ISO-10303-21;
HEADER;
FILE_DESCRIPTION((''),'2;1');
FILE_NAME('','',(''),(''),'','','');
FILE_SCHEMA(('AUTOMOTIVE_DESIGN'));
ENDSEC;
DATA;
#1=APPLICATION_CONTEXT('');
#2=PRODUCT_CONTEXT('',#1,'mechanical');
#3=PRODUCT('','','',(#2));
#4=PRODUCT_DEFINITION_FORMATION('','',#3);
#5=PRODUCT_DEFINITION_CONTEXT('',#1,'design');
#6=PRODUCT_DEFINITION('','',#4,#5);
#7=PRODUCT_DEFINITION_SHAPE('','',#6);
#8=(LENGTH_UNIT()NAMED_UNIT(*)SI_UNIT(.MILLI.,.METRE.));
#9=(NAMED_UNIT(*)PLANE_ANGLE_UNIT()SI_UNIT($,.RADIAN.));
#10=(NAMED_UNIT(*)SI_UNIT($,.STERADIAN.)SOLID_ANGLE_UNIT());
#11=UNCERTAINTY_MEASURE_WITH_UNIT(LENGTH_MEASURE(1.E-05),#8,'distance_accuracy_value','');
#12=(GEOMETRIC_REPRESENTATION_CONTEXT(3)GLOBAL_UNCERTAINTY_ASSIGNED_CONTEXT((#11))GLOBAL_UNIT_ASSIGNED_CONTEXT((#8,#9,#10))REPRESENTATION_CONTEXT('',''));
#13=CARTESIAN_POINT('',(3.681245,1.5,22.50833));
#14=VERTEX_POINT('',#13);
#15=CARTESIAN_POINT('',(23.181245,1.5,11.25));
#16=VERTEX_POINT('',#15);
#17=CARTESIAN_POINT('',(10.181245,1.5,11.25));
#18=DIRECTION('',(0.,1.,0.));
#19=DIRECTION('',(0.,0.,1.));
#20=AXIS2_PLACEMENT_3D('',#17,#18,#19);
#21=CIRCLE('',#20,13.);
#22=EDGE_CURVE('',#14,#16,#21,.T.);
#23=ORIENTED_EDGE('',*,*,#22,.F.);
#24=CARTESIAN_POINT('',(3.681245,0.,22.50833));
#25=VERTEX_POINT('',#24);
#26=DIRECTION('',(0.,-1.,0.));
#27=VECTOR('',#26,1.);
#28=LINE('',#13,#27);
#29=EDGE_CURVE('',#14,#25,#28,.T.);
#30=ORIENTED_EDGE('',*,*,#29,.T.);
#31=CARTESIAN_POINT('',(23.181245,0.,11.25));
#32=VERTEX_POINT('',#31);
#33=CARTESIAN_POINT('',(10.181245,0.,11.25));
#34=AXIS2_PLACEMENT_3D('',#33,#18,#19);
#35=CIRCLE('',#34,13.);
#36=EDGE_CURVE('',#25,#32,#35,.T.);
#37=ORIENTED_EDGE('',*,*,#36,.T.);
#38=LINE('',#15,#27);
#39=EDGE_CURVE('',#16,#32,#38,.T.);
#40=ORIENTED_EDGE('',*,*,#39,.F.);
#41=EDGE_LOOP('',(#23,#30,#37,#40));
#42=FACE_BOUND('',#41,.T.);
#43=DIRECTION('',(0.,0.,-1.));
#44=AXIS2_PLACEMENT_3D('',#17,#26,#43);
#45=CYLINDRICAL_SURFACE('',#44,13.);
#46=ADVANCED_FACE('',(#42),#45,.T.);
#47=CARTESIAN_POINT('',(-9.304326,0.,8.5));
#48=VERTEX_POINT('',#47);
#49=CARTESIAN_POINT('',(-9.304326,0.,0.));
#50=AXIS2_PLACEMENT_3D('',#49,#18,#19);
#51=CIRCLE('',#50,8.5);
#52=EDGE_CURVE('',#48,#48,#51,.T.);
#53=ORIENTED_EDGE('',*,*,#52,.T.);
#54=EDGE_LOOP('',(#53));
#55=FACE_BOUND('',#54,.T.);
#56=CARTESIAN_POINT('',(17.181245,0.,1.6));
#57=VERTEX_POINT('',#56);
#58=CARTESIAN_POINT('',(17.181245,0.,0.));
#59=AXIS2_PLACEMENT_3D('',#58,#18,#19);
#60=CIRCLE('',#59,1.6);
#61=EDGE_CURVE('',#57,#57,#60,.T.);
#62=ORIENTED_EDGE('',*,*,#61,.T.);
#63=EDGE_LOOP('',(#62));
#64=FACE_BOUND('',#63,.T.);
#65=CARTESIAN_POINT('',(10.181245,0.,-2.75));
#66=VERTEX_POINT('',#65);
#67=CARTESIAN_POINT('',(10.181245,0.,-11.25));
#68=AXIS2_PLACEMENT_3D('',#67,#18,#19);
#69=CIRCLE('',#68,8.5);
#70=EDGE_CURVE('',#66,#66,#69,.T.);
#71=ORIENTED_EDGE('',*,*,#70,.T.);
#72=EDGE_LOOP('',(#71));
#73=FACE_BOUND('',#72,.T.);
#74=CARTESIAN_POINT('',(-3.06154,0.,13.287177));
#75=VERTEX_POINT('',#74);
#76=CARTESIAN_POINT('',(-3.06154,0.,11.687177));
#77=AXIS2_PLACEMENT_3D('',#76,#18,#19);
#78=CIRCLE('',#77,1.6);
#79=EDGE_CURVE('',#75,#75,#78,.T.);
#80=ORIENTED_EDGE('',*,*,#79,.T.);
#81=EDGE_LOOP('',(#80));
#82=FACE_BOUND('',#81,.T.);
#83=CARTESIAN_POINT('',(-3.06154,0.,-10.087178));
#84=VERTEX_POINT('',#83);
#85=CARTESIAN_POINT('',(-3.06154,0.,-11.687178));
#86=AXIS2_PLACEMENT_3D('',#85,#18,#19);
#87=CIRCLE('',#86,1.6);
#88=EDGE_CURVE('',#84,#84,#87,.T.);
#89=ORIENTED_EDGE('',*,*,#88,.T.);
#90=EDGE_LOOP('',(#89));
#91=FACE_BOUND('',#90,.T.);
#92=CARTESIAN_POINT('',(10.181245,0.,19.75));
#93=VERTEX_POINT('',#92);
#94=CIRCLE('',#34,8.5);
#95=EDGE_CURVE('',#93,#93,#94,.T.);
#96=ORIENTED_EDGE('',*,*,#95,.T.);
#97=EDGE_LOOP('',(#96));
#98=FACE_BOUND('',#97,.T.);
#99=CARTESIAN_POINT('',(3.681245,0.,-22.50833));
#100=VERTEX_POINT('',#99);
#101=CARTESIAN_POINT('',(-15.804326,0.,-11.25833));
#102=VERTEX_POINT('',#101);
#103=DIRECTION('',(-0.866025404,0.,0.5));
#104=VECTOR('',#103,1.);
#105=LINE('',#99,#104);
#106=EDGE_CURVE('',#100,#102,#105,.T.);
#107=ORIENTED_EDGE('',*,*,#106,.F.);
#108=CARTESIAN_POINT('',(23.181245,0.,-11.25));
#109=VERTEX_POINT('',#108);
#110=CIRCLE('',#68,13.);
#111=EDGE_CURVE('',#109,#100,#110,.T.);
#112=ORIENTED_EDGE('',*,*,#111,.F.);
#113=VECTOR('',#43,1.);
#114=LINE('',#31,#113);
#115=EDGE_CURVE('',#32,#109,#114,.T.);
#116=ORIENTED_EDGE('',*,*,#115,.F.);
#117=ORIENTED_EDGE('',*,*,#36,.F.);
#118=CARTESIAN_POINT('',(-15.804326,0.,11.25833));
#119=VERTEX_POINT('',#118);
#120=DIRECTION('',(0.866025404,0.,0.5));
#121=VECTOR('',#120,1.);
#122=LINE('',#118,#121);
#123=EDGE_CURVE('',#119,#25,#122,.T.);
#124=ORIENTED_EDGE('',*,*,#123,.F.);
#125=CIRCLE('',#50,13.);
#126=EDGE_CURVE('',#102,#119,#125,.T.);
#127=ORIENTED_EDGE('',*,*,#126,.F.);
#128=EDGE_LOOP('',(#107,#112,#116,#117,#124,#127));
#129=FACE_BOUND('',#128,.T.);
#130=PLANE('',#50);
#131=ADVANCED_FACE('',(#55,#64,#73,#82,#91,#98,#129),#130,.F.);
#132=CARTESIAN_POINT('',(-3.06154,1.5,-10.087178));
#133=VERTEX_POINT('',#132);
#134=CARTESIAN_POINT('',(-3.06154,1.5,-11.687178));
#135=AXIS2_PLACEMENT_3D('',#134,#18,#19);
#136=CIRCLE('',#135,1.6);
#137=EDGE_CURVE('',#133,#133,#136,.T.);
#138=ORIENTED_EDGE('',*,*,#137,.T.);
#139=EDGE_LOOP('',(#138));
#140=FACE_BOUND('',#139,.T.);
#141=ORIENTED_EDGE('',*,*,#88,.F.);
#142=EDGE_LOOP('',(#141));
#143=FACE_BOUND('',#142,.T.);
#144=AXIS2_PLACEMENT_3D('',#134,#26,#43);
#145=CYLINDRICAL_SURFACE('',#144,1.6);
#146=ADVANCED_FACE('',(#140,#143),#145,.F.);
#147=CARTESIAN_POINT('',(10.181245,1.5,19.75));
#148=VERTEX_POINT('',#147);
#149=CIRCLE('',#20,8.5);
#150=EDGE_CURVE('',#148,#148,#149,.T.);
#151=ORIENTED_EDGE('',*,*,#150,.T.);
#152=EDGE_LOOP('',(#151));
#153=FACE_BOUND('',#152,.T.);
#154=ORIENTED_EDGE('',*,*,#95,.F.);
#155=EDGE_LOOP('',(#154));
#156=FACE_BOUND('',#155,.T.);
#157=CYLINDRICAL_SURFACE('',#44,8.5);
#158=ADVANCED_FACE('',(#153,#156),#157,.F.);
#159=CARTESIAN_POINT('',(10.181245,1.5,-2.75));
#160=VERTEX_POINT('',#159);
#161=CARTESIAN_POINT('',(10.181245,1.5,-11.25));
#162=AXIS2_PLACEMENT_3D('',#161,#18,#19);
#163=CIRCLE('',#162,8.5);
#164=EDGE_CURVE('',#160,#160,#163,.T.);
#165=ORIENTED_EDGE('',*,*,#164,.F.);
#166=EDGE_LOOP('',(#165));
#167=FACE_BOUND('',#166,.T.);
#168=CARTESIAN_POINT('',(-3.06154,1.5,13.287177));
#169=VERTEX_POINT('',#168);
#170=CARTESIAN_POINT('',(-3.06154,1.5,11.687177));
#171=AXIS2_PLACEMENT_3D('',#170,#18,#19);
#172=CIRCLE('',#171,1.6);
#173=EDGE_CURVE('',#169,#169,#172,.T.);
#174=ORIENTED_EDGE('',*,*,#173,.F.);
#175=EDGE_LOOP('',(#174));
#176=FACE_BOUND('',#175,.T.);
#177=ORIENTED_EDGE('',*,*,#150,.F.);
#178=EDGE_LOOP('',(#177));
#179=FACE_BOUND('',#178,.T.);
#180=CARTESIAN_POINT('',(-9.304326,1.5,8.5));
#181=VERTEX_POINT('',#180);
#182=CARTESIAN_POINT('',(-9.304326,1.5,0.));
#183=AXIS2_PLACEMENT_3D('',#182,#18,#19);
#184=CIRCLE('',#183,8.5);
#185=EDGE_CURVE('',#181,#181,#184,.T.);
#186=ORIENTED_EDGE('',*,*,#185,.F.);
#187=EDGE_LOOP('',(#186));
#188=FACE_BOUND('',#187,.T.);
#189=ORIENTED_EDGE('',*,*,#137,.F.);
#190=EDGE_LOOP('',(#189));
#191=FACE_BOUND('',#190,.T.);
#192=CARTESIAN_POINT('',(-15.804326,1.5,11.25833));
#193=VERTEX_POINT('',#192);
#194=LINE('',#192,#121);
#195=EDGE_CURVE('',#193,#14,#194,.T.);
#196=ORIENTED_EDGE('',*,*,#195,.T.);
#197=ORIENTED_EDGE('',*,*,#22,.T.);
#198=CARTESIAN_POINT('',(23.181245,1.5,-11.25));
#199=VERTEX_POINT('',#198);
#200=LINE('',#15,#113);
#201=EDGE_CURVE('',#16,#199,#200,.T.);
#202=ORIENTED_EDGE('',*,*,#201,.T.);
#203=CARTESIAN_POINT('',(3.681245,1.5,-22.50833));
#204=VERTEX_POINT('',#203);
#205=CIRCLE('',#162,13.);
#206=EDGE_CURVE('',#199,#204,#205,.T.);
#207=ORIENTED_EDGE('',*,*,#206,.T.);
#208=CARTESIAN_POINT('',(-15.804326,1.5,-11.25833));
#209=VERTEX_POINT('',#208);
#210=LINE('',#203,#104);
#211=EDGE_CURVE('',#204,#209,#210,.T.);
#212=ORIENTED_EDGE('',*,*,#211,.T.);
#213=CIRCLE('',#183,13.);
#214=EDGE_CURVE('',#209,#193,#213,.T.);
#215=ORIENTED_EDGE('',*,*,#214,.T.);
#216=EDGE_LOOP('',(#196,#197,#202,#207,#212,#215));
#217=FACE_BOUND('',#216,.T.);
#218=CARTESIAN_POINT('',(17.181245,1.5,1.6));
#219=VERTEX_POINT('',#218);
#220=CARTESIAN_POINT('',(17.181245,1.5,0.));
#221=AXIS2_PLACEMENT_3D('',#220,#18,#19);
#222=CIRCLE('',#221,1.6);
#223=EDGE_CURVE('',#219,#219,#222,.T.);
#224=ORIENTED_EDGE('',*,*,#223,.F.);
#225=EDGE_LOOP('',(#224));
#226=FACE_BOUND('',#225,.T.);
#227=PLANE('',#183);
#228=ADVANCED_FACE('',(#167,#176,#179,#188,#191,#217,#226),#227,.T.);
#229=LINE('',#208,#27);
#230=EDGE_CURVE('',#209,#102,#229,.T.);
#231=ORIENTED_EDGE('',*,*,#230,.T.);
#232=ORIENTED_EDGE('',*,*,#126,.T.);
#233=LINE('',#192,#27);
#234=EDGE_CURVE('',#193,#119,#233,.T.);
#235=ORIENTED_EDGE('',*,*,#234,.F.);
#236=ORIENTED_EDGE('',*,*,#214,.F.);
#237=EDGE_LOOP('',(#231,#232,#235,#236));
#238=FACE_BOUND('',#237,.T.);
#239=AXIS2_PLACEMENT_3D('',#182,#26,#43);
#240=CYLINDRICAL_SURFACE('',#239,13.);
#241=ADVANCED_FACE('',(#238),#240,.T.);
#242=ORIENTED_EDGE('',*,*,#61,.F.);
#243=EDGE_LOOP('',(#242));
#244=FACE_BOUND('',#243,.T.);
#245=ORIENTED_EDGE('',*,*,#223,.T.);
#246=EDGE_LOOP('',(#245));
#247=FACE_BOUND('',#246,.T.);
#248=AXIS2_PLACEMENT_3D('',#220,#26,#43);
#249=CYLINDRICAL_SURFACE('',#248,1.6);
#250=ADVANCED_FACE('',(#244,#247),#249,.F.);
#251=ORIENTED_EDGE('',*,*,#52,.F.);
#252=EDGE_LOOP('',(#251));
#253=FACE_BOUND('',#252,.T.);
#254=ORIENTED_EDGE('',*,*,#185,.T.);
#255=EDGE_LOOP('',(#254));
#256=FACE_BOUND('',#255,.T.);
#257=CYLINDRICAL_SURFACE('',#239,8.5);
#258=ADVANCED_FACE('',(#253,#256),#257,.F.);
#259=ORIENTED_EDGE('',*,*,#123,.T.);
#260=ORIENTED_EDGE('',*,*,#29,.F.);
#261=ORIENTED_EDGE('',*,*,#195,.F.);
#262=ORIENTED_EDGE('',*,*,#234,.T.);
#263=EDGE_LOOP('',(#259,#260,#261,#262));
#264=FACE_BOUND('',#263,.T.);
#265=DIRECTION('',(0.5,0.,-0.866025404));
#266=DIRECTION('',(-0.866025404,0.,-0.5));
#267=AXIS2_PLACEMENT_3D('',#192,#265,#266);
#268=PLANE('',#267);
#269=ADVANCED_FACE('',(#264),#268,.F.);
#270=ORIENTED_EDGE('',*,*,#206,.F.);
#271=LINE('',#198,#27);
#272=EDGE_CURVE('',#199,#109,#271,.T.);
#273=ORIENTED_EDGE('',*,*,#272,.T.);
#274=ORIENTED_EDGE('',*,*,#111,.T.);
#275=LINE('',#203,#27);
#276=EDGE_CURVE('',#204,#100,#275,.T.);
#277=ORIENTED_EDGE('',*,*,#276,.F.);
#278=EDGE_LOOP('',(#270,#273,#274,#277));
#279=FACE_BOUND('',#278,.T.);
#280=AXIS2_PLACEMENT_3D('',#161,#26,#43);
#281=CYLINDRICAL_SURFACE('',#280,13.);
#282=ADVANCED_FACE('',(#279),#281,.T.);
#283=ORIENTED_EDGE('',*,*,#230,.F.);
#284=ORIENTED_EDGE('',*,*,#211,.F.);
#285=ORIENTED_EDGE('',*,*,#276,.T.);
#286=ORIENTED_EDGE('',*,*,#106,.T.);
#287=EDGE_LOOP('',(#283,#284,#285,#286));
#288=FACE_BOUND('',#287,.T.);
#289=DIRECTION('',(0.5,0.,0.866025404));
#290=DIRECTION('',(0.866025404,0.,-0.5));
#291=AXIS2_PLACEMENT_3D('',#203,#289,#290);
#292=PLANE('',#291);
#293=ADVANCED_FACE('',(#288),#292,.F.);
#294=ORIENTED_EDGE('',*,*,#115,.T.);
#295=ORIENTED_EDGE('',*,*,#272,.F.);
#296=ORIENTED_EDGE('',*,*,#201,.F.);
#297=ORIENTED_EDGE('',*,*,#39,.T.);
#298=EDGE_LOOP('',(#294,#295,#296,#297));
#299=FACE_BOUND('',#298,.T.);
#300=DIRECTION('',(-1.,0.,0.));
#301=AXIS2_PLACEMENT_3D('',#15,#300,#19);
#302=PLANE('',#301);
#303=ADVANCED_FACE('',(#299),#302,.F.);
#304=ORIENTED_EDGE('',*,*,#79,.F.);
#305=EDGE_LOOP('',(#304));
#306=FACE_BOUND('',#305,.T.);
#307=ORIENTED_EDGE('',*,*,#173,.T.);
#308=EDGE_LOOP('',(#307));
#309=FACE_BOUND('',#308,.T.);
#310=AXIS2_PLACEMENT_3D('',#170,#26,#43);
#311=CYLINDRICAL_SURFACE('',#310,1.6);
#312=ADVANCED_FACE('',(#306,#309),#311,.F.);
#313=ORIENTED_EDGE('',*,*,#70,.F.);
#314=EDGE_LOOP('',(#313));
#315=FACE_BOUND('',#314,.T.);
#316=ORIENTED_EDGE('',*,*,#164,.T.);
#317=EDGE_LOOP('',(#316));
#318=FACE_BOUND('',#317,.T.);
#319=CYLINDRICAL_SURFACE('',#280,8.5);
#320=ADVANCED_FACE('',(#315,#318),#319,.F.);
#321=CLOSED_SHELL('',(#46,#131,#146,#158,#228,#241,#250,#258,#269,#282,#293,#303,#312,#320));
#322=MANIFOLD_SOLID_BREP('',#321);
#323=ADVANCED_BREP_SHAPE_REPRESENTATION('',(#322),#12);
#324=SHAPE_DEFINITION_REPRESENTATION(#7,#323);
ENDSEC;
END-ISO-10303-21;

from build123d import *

# Parameters (mm, degrees)
SKETCH1_R           = 8.5
SKETCH1_R_2         = 1.6
SKETCH1_R_3         = 1.599999998
BOSS_EXTRUDE1_DEPTH = 1.5


with BuildPart() as part:
    # Sketch1 → Boss-Extrude1 (new body)
    with BuildSketch(Plane(origin=(0, 0, 0), x_dir=(1, 0, 0), z_dir=(0, 1, 0))):
        with BuildLine():
            Line((-15.804326324, -11.258330249), (3.681245261, -22.508330249))
            ThreePointArc((3.681245261, -22.508330249), (16.681245261, -22.508330249), (23.181245261, -11.25))
            Line((23.181245261, -11.25), (23.181245261, 11.25))
            ThreePointArc((23.181245261, 11.25), (16.681245261, 22.508330249), (3.681245261, 22.508330249))
            Line((3.681245261, 22.508330249), (-15.804326324, 11.258330249))
            ThreePointArc((-15.804326324, 11.258330249), (-22.304326324, 0), (-15.804326324, -11.258330249))
        make_face()
        with Locations((-9.304326324, 0)):
            Circle(SKETCH1_R, mode=Mode.SUBTRACT)
        with Locations((-3.06154027, 11.687177858)):
            Circle(SKETCH1_R_2, mode=Mode.SUBTRACT)
        with Locations((17.181245264, 0)):
            Circle(SKETCH1_R_3, mode=Mode.SUBTRACT)
        with Locations((10.181245261, -11.25)):
            Circle(SKETCH1_R, mode=Mode.SUBTRACT)
        with Locations((10.181245261, 11.25)):
            Circle(SKETCH1_R, mode=Mode.SUBTRACT)
        with Locations((-3.06154027, -11.687177373)):
            Circle(SKETCH1_R_2, mode=Mode.SUBTRACT)
    extrude(amount=BOSS_EXTRUDE1_DEPTH)


solid = part.part
